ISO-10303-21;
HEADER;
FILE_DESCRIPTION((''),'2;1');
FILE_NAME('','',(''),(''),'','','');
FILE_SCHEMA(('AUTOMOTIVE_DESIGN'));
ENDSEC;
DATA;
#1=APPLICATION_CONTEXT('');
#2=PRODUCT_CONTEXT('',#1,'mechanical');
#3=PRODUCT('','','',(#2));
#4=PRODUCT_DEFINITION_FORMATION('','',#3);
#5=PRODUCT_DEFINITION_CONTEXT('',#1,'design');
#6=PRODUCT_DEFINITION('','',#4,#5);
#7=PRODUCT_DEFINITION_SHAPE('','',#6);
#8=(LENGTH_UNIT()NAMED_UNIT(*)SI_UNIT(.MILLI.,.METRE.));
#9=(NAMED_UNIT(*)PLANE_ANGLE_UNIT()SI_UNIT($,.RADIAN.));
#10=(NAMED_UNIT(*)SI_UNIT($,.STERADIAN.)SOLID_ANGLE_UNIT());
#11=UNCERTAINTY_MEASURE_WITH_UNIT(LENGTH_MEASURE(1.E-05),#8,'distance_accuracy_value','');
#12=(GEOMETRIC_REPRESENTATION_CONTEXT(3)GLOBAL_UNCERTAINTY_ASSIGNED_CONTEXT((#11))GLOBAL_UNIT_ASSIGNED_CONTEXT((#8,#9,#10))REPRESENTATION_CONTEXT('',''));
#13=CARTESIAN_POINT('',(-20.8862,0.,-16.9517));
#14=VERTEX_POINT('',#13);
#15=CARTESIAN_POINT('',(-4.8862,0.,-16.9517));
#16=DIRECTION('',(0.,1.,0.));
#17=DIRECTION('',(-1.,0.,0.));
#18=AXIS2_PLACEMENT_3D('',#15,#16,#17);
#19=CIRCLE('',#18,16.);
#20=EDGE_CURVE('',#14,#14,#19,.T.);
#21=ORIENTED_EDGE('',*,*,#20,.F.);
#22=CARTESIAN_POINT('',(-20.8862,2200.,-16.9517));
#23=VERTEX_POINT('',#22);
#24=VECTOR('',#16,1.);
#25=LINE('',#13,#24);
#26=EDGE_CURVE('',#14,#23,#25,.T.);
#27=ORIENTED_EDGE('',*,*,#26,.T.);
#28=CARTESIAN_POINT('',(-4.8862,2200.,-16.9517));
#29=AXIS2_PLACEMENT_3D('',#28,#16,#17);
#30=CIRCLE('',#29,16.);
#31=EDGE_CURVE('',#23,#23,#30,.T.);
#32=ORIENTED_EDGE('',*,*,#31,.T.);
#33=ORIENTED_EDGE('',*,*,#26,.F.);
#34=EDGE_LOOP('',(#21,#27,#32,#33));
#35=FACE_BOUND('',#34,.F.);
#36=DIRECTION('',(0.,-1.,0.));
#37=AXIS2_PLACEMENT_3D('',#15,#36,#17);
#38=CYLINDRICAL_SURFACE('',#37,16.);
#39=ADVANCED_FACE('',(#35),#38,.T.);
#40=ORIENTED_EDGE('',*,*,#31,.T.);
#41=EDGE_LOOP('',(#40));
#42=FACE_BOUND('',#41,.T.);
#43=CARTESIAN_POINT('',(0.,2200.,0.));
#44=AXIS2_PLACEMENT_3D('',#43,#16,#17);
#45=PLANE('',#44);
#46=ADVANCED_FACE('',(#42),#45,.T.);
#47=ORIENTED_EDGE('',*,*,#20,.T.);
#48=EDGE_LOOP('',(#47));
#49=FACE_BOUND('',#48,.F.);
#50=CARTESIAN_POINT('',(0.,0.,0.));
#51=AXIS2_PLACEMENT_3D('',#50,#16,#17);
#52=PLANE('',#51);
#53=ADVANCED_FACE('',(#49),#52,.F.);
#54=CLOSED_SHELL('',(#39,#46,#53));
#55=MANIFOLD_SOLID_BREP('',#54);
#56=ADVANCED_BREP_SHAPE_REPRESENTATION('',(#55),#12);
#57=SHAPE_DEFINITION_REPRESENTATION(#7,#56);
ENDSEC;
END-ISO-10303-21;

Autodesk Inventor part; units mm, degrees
ref_plane "YZ Plane" through (0, 0, 0) normal (1, 0, 0) x (0, 1, 0)
ref_plane "XZ Plane" through (0, 0, 0) normal (0, 1, 0) x (-1, 0, 0)
ref_plane "XY Plane" through (0, 0, 0) normal (0, 0, 1) x (1, 0, 0)
sketch "Sketch1" plane through (0, 0, 0) normal (0, 1, 0) x (-1, 0, 0)
  circle A0 centre (4.8862, -16.9517) radius 16
  point P0 (0, 0)
  dimension "d0" = 32
extrude "Extrusion1" add sketch "Sketch1" along normal blind 2200
properties part number "EIXO_30MM"
